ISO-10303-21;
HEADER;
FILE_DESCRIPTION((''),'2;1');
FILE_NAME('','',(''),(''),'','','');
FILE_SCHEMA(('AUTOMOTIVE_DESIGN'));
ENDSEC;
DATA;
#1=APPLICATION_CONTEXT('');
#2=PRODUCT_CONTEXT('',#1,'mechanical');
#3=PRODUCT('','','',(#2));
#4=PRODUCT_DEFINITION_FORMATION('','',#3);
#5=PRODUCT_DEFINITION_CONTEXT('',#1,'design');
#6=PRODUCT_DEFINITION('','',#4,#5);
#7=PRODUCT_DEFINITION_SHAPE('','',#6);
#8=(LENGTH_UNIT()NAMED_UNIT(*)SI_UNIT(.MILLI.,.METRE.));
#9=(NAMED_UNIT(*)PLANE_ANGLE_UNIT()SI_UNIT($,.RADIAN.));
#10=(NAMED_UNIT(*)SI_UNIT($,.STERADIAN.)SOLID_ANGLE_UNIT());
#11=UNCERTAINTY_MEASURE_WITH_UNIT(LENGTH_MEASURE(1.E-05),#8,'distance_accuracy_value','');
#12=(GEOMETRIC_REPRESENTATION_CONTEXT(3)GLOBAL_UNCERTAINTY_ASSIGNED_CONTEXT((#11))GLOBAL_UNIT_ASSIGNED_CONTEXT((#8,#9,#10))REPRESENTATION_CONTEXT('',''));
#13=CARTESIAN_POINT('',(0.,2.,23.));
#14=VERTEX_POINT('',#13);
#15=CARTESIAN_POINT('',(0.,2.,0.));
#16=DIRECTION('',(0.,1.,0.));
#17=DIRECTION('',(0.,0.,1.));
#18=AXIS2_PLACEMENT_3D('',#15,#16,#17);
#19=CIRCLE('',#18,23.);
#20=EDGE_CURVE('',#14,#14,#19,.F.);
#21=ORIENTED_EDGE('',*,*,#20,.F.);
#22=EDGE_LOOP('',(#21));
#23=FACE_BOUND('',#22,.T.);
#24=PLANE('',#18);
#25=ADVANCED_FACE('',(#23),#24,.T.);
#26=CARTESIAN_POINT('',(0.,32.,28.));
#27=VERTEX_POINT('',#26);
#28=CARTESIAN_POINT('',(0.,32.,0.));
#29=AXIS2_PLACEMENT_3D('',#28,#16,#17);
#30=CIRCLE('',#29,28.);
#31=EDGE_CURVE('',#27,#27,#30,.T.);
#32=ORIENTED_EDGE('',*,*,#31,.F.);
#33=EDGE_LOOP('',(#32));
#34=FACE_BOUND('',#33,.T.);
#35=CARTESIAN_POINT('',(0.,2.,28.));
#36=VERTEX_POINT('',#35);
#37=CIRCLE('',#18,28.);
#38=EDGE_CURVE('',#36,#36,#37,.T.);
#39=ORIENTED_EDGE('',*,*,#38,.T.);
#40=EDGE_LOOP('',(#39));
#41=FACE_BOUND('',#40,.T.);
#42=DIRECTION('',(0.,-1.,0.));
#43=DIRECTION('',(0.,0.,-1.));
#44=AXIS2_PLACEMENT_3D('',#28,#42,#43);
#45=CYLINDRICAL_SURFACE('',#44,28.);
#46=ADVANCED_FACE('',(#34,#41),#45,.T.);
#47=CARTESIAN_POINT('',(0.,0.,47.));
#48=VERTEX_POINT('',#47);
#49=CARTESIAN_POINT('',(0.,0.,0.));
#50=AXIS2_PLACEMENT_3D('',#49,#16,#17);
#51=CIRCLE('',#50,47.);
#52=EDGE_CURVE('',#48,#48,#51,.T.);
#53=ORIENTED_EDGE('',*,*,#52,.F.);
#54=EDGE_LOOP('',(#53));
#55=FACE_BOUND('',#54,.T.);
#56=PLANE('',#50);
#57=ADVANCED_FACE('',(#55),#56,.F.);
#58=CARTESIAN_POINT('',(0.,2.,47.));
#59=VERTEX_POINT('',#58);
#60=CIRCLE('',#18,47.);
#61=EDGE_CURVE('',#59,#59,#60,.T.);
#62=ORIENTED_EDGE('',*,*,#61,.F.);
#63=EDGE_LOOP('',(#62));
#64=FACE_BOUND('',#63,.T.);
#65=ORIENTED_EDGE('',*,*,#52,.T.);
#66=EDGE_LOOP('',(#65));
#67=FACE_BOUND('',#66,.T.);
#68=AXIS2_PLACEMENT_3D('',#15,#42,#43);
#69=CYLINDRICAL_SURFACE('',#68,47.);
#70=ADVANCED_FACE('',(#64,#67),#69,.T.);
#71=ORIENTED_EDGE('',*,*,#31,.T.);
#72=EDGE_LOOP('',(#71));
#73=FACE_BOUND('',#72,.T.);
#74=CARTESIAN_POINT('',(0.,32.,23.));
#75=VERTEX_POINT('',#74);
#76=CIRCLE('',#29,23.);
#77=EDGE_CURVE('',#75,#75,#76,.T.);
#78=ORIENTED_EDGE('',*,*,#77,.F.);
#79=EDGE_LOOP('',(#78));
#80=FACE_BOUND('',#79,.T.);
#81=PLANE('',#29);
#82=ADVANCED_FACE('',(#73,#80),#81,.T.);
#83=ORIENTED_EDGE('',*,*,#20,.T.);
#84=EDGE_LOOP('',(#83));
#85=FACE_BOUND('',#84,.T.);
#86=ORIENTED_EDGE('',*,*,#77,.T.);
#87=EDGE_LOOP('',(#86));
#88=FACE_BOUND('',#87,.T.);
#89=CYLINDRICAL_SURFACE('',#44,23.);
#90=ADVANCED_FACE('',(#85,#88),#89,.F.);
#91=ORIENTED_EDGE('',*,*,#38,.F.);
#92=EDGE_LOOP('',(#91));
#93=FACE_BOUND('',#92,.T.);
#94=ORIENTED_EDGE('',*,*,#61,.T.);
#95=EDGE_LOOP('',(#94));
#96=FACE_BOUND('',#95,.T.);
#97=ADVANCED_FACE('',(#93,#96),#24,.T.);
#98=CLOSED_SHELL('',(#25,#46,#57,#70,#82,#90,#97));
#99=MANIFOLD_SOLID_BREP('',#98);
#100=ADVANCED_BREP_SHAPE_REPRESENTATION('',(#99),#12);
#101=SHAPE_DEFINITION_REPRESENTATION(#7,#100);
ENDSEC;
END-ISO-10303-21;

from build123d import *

# Parameters (mm, degrees)
SKETCH_1_R      = 47
EXTRUDE_1_DEPTH = 2
SKETCH_4_R      = 28
SKETCH_4_R_2    = 23
EXTRUDE_2_DEPTH = 30


with BuildPart() as part:
    # Эскиз1 → Бобышка-Вытянуть1 (new body)
    with BuildSketch(Plane(origin=(0, 0, 0), x_dir=(1, 0, 0), z_dir=(0, 1, 0))):
        with Locations(Location((0, 0, 0), (0, 0, 270))):
            Circle(SKETCH_1_R)
    extrude(amount=EXTRUDE_1_DEPTH)

    # Эскиз4 → Бобышка-Вытянуть2 (add)
    with BuildSketch(Plane(origin=(0, 2, 0), x_dir=(1, 0, 0), z_dir=(0, 1, 0))):
        with Locations(Location((0, 0, 0), (0, 0, 270))):
            Circle(SKETCH_4_R)
        with Locations(Location((0, 0, 0), (0, 0, 270))):
            Circle(SKETCH_4_R_2, mode=Mode.SUBTRACT)
    extrude(amount=EXTRUDE_2_DEPTH)


solid = part.part
